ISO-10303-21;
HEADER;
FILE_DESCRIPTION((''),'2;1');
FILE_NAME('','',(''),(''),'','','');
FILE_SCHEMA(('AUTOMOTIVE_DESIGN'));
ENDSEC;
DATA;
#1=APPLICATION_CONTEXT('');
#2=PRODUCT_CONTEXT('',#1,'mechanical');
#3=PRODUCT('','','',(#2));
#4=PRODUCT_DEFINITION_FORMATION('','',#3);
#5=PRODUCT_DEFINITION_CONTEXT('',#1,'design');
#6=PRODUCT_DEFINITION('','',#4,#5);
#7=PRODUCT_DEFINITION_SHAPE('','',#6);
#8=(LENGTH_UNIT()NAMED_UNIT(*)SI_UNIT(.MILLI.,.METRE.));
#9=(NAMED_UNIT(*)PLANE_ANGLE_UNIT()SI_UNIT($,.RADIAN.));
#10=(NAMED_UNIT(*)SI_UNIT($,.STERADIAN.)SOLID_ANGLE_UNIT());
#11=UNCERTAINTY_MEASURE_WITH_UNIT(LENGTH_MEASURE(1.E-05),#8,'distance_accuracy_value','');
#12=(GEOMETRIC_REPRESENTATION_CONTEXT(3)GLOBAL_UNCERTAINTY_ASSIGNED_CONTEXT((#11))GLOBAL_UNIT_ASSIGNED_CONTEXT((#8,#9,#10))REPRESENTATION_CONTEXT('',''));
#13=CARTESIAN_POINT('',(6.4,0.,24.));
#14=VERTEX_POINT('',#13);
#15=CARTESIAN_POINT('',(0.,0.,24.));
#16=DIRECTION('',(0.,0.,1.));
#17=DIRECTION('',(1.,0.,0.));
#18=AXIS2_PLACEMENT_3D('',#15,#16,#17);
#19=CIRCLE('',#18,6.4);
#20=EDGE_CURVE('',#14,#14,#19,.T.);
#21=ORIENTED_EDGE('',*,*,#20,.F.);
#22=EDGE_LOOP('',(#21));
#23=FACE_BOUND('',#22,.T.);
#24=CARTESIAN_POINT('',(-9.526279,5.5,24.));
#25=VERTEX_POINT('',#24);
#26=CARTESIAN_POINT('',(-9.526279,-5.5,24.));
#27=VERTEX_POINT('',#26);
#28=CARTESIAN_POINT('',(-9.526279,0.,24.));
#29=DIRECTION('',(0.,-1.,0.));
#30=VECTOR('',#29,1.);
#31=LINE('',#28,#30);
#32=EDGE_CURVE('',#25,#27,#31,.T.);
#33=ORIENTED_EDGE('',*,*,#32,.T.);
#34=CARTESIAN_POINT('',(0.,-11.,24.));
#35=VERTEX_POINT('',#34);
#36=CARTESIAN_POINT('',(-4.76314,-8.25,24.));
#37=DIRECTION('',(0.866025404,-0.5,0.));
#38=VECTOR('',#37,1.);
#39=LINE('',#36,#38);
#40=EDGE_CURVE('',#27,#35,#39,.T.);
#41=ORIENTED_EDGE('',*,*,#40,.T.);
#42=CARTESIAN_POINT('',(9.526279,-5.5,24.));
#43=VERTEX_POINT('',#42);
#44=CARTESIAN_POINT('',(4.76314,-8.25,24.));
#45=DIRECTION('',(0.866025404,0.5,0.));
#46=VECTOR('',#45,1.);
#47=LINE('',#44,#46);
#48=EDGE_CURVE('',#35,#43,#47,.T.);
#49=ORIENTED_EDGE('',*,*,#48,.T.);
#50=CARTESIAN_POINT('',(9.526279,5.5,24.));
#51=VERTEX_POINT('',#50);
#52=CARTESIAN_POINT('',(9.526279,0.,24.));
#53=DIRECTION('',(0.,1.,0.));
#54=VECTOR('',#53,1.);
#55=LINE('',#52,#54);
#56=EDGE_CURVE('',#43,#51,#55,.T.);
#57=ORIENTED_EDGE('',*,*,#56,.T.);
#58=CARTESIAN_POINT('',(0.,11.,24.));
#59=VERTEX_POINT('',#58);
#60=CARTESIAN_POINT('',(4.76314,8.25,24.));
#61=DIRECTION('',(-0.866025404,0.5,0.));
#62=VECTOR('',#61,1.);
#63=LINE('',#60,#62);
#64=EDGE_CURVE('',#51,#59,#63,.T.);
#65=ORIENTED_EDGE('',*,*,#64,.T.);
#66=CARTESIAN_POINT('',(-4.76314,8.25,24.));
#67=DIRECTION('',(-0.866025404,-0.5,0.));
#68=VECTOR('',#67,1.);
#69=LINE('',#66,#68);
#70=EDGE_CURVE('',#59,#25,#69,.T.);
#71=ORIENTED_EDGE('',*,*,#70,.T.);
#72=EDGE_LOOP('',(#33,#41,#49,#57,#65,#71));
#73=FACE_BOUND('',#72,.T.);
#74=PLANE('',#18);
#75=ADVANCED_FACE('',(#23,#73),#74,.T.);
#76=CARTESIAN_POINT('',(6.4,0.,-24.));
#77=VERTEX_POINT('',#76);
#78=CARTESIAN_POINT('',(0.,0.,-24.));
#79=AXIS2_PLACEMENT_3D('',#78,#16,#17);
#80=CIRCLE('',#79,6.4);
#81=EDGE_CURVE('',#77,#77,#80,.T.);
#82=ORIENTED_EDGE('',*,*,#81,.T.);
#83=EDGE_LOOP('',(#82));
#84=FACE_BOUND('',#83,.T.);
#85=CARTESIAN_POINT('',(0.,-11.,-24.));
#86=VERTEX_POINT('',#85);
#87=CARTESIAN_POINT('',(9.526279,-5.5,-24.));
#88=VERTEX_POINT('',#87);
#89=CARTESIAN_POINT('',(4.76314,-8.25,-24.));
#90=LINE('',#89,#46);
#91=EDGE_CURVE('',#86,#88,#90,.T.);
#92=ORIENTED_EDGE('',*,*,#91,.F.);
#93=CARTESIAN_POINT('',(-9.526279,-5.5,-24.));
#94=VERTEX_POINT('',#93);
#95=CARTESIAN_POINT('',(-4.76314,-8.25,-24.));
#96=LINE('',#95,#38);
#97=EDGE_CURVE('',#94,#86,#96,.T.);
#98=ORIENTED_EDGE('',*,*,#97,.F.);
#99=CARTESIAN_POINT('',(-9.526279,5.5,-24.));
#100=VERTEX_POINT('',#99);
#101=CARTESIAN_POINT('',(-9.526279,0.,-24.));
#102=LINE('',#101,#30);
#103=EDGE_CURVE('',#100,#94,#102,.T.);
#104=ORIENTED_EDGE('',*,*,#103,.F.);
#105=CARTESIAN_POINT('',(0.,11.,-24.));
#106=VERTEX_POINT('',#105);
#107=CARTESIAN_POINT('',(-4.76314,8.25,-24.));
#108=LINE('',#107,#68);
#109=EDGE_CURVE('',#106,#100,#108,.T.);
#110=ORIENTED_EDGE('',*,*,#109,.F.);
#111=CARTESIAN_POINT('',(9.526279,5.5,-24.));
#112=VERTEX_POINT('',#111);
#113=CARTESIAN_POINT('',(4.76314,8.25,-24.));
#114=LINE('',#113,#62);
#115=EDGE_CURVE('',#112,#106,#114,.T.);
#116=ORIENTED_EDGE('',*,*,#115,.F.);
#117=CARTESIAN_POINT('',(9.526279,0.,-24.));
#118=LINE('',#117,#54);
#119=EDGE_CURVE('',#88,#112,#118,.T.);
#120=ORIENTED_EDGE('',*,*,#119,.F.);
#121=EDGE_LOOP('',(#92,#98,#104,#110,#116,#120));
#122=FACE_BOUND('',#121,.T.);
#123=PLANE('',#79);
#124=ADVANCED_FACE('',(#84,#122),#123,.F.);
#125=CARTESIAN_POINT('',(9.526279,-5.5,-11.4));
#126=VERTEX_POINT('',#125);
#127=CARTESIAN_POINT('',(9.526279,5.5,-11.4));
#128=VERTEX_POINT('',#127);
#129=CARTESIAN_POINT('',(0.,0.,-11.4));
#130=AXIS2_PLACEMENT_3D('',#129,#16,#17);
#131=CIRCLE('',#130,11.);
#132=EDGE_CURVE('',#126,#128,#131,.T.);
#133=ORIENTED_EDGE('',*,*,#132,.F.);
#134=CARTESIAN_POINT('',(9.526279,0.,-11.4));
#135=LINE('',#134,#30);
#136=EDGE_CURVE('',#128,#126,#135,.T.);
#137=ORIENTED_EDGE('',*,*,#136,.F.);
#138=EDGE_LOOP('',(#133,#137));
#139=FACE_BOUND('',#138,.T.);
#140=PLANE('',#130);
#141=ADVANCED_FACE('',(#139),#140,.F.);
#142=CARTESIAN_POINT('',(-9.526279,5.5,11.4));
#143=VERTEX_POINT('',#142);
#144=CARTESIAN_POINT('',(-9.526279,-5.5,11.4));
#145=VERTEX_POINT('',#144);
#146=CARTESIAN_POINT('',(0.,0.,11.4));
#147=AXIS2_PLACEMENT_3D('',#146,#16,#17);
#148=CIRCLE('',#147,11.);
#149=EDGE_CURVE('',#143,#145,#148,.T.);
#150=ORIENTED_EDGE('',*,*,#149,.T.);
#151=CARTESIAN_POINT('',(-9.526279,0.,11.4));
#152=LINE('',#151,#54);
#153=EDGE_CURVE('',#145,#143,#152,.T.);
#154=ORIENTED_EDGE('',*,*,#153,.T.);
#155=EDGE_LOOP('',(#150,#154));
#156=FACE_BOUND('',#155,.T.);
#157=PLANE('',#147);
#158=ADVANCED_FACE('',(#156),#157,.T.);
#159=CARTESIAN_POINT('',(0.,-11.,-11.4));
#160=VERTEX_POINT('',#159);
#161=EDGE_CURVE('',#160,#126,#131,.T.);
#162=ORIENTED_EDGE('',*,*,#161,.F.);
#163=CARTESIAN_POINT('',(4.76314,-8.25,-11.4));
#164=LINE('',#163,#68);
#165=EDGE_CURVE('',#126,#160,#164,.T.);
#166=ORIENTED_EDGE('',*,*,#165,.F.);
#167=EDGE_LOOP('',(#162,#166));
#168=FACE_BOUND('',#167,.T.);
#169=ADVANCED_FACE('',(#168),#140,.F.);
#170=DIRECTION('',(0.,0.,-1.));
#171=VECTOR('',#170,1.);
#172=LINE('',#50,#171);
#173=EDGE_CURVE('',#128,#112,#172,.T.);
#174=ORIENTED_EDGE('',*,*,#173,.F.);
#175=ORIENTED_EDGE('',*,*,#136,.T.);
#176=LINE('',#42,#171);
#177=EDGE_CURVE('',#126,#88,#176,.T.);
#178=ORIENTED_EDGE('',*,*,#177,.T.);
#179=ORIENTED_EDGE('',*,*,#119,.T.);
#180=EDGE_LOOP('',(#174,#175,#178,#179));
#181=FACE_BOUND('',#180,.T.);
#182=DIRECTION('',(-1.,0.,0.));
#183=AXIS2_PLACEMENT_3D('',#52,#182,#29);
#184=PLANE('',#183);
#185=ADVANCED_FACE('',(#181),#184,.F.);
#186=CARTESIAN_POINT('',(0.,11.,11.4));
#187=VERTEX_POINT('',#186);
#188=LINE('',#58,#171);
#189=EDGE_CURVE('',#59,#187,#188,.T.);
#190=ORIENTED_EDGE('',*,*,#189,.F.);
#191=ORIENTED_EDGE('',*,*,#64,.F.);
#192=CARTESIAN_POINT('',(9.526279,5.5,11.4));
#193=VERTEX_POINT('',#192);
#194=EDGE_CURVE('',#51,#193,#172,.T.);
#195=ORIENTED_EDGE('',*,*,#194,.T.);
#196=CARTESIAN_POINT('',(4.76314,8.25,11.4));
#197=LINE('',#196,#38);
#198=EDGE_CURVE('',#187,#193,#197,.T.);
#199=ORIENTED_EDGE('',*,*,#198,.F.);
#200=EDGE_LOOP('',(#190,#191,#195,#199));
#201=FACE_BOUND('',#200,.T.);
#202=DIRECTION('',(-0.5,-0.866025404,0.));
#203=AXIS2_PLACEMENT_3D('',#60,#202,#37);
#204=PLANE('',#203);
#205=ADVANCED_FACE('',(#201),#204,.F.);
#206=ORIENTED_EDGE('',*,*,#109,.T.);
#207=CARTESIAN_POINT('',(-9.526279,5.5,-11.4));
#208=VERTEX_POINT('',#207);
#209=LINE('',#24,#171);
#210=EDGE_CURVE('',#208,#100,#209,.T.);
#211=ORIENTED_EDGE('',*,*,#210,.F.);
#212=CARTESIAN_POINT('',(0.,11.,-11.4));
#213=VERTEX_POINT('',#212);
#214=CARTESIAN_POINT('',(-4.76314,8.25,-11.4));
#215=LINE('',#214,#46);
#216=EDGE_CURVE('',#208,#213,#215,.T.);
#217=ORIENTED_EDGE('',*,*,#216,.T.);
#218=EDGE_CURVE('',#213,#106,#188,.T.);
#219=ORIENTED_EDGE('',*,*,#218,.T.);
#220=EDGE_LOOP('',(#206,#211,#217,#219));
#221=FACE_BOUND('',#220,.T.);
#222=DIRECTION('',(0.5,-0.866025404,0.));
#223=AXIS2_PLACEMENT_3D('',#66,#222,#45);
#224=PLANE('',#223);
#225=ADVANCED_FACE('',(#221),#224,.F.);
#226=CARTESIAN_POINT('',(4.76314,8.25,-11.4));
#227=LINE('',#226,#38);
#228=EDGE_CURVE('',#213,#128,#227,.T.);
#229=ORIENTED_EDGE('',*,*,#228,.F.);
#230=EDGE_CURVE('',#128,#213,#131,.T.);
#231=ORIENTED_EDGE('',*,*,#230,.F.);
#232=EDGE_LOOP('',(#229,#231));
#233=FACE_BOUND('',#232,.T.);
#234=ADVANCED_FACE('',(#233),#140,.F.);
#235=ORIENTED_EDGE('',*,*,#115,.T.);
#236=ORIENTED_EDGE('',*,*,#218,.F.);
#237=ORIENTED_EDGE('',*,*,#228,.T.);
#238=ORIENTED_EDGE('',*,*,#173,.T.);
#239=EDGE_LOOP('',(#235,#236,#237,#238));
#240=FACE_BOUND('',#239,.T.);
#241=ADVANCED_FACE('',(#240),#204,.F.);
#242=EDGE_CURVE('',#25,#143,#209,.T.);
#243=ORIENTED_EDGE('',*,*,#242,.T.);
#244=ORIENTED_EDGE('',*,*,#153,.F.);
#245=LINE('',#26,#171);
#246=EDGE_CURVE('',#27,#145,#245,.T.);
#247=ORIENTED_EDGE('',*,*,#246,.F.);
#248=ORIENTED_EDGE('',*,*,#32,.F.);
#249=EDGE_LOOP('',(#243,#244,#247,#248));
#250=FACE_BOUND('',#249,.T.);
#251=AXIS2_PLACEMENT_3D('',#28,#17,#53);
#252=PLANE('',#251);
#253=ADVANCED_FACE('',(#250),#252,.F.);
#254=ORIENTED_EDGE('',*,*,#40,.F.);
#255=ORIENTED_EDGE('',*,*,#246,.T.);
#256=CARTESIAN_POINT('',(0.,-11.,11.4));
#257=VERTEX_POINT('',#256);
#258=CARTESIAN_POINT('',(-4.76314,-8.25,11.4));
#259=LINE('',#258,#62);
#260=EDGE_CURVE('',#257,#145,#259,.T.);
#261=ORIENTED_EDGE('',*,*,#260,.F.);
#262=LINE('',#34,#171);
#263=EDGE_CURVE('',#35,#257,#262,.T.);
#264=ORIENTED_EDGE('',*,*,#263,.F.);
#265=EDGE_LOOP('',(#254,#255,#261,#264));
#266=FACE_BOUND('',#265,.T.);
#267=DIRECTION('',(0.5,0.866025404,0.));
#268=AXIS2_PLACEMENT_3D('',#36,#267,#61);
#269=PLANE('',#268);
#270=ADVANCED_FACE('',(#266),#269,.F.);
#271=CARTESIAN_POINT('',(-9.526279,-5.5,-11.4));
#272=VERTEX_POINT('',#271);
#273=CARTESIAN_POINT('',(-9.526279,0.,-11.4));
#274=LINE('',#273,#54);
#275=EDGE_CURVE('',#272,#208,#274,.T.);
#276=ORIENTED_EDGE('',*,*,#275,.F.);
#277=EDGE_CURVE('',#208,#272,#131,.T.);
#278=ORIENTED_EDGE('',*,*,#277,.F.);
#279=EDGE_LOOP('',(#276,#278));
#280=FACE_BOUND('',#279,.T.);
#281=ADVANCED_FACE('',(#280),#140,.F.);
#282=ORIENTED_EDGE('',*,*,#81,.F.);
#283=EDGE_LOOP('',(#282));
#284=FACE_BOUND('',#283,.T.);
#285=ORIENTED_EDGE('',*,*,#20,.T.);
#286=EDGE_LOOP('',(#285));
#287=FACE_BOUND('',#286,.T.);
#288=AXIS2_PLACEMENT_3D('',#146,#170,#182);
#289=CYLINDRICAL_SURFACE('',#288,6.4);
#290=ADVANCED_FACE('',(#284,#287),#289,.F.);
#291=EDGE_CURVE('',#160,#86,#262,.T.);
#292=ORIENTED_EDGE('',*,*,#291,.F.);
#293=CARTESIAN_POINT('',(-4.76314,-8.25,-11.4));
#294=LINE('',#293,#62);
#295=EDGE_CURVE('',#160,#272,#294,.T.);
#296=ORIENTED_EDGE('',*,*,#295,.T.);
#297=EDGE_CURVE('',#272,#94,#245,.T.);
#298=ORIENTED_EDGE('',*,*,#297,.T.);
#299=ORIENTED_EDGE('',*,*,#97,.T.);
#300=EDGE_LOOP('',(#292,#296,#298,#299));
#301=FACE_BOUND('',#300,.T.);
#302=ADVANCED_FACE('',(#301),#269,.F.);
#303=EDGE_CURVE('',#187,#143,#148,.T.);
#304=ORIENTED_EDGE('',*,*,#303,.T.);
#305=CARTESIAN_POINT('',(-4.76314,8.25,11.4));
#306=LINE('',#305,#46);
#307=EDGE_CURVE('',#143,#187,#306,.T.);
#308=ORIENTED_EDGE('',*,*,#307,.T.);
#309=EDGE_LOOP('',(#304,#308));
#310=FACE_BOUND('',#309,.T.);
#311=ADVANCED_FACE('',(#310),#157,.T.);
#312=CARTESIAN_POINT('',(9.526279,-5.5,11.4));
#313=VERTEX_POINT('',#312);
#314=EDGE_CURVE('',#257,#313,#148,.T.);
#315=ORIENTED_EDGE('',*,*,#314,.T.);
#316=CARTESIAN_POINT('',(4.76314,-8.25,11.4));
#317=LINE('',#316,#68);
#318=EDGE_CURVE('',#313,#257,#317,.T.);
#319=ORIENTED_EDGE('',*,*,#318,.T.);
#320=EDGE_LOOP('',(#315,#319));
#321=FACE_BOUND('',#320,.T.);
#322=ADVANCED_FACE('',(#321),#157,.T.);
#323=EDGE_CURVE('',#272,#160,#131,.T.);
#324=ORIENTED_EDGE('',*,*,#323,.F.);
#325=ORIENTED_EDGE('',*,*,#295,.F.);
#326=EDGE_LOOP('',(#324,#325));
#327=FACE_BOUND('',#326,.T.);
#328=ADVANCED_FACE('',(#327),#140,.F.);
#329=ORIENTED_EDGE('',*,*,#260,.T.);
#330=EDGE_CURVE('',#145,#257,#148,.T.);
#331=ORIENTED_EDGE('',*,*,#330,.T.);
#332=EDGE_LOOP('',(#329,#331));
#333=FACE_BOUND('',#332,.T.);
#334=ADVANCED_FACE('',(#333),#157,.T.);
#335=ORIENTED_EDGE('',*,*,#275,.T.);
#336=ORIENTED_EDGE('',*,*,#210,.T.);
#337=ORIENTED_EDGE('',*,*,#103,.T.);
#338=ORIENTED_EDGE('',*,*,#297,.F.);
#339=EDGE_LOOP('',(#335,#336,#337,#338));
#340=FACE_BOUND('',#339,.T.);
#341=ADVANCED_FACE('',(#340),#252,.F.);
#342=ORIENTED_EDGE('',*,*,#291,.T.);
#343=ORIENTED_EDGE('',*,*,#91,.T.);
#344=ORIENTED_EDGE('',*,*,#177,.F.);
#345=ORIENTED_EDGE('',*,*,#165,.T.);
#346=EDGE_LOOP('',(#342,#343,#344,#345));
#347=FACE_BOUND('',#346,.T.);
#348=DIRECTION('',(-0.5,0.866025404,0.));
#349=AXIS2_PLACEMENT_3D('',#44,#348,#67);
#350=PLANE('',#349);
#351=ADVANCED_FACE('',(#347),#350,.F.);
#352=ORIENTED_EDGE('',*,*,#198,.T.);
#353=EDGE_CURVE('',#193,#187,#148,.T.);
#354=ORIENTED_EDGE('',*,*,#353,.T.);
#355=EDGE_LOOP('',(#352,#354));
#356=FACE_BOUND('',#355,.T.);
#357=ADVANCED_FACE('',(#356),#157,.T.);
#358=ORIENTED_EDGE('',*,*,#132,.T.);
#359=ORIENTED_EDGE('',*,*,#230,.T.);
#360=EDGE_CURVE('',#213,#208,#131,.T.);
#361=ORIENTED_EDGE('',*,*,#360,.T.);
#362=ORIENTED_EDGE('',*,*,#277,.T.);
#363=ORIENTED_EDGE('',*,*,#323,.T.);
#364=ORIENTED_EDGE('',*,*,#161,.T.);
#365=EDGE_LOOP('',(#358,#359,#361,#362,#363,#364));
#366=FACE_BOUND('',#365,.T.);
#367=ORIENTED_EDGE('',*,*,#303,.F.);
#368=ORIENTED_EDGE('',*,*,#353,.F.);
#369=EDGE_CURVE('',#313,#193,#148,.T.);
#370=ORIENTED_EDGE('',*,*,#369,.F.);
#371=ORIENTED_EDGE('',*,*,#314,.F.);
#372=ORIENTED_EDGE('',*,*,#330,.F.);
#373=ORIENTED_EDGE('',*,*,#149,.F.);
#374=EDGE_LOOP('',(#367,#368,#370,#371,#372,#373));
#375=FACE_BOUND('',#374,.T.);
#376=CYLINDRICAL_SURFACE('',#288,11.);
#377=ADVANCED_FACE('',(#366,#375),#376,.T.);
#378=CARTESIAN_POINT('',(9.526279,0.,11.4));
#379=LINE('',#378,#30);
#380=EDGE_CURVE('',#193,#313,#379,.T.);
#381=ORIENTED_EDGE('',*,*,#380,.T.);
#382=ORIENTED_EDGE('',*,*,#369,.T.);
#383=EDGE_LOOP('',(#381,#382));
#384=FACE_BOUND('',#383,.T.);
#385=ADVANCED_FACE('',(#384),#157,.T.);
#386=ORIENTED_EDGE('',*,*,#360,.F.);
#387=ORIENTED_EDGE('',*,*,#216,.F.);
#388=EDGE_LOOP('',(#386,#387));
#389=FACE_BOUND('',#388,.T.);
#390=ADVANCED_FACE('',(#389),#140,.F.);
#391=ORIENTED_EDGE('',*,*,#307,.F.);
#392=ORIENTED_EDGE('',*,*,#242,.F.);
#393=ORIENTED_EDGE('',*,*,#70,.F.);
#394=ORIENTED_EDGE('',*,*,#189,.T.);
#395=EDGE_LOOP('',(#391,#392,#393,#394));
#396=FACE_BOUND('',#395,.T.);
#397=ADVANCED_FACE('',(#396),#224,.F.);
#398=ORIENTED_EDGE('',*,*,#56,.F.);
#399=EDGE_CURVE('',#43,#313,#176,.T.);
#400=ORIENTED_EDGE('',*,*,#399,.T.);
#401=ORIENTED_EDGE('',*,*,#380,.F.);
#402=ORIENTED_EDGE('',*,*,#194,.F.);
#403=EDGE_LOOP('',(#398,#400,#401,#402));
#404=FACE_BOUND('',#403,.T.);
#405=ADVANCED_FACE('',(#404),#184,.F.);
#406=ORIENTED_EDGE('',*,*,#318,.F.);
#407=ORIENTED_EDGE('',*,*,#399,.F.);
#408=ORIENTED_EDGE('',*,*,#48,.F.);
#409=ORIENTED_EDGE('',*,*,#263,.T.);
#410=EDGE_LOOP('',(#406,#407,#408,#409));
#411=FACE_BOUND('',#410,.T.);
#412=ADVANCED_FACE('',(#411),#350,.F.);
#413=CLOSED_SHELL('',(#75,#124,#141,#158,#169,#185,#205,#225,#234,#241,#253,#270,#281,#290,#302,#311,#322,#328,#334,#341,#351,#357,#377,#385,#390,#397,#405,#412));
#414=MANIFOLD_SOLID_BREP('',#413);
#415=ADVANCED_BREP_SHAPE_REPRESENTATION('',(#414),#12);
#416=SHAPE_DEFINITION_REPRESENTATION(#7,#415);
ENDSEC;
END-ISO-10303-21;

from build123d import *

# Parameters (mm, degrees)
SKETCH1_R           = 11
SKETCH1_R_2         = 6.4
BOSS_EXTRUDE1_DEPTH = 11.4
SKETCH1_3_R         = 6.4
BOSS_EXTRUDE2_DEPTH = 24


with BuildPart() as part:
    # Sketch1 → Boss-Extrude1 (new, symmetric)
    with BuildSketch(Plane.XY):
        Circle(SKETCH1_R)
        Circle(SKETCH1_R_2, mode=Mode.SUBTRACT)
    extrude(amount=BOSS_EXTRUDE1_DEPTH, both=True)

    # Sketch1<3> → Boss-Extrude2 (add, symmetric)
    with BuildSketch(Plane.XY):
        Polygon((-9.526279442, -5.5), (0, -11), (9.526279442, -5.5), (9.526279442, 5.5), (0, 11), (-9.526279442, 5.5), align=None)
        Circle(SKETCH1_3_R, mode=Mode.SUBTRACT)
    extrude(amount=BOSS_EXTRUDE2_DEPTH, both=True)


solid = part.part
